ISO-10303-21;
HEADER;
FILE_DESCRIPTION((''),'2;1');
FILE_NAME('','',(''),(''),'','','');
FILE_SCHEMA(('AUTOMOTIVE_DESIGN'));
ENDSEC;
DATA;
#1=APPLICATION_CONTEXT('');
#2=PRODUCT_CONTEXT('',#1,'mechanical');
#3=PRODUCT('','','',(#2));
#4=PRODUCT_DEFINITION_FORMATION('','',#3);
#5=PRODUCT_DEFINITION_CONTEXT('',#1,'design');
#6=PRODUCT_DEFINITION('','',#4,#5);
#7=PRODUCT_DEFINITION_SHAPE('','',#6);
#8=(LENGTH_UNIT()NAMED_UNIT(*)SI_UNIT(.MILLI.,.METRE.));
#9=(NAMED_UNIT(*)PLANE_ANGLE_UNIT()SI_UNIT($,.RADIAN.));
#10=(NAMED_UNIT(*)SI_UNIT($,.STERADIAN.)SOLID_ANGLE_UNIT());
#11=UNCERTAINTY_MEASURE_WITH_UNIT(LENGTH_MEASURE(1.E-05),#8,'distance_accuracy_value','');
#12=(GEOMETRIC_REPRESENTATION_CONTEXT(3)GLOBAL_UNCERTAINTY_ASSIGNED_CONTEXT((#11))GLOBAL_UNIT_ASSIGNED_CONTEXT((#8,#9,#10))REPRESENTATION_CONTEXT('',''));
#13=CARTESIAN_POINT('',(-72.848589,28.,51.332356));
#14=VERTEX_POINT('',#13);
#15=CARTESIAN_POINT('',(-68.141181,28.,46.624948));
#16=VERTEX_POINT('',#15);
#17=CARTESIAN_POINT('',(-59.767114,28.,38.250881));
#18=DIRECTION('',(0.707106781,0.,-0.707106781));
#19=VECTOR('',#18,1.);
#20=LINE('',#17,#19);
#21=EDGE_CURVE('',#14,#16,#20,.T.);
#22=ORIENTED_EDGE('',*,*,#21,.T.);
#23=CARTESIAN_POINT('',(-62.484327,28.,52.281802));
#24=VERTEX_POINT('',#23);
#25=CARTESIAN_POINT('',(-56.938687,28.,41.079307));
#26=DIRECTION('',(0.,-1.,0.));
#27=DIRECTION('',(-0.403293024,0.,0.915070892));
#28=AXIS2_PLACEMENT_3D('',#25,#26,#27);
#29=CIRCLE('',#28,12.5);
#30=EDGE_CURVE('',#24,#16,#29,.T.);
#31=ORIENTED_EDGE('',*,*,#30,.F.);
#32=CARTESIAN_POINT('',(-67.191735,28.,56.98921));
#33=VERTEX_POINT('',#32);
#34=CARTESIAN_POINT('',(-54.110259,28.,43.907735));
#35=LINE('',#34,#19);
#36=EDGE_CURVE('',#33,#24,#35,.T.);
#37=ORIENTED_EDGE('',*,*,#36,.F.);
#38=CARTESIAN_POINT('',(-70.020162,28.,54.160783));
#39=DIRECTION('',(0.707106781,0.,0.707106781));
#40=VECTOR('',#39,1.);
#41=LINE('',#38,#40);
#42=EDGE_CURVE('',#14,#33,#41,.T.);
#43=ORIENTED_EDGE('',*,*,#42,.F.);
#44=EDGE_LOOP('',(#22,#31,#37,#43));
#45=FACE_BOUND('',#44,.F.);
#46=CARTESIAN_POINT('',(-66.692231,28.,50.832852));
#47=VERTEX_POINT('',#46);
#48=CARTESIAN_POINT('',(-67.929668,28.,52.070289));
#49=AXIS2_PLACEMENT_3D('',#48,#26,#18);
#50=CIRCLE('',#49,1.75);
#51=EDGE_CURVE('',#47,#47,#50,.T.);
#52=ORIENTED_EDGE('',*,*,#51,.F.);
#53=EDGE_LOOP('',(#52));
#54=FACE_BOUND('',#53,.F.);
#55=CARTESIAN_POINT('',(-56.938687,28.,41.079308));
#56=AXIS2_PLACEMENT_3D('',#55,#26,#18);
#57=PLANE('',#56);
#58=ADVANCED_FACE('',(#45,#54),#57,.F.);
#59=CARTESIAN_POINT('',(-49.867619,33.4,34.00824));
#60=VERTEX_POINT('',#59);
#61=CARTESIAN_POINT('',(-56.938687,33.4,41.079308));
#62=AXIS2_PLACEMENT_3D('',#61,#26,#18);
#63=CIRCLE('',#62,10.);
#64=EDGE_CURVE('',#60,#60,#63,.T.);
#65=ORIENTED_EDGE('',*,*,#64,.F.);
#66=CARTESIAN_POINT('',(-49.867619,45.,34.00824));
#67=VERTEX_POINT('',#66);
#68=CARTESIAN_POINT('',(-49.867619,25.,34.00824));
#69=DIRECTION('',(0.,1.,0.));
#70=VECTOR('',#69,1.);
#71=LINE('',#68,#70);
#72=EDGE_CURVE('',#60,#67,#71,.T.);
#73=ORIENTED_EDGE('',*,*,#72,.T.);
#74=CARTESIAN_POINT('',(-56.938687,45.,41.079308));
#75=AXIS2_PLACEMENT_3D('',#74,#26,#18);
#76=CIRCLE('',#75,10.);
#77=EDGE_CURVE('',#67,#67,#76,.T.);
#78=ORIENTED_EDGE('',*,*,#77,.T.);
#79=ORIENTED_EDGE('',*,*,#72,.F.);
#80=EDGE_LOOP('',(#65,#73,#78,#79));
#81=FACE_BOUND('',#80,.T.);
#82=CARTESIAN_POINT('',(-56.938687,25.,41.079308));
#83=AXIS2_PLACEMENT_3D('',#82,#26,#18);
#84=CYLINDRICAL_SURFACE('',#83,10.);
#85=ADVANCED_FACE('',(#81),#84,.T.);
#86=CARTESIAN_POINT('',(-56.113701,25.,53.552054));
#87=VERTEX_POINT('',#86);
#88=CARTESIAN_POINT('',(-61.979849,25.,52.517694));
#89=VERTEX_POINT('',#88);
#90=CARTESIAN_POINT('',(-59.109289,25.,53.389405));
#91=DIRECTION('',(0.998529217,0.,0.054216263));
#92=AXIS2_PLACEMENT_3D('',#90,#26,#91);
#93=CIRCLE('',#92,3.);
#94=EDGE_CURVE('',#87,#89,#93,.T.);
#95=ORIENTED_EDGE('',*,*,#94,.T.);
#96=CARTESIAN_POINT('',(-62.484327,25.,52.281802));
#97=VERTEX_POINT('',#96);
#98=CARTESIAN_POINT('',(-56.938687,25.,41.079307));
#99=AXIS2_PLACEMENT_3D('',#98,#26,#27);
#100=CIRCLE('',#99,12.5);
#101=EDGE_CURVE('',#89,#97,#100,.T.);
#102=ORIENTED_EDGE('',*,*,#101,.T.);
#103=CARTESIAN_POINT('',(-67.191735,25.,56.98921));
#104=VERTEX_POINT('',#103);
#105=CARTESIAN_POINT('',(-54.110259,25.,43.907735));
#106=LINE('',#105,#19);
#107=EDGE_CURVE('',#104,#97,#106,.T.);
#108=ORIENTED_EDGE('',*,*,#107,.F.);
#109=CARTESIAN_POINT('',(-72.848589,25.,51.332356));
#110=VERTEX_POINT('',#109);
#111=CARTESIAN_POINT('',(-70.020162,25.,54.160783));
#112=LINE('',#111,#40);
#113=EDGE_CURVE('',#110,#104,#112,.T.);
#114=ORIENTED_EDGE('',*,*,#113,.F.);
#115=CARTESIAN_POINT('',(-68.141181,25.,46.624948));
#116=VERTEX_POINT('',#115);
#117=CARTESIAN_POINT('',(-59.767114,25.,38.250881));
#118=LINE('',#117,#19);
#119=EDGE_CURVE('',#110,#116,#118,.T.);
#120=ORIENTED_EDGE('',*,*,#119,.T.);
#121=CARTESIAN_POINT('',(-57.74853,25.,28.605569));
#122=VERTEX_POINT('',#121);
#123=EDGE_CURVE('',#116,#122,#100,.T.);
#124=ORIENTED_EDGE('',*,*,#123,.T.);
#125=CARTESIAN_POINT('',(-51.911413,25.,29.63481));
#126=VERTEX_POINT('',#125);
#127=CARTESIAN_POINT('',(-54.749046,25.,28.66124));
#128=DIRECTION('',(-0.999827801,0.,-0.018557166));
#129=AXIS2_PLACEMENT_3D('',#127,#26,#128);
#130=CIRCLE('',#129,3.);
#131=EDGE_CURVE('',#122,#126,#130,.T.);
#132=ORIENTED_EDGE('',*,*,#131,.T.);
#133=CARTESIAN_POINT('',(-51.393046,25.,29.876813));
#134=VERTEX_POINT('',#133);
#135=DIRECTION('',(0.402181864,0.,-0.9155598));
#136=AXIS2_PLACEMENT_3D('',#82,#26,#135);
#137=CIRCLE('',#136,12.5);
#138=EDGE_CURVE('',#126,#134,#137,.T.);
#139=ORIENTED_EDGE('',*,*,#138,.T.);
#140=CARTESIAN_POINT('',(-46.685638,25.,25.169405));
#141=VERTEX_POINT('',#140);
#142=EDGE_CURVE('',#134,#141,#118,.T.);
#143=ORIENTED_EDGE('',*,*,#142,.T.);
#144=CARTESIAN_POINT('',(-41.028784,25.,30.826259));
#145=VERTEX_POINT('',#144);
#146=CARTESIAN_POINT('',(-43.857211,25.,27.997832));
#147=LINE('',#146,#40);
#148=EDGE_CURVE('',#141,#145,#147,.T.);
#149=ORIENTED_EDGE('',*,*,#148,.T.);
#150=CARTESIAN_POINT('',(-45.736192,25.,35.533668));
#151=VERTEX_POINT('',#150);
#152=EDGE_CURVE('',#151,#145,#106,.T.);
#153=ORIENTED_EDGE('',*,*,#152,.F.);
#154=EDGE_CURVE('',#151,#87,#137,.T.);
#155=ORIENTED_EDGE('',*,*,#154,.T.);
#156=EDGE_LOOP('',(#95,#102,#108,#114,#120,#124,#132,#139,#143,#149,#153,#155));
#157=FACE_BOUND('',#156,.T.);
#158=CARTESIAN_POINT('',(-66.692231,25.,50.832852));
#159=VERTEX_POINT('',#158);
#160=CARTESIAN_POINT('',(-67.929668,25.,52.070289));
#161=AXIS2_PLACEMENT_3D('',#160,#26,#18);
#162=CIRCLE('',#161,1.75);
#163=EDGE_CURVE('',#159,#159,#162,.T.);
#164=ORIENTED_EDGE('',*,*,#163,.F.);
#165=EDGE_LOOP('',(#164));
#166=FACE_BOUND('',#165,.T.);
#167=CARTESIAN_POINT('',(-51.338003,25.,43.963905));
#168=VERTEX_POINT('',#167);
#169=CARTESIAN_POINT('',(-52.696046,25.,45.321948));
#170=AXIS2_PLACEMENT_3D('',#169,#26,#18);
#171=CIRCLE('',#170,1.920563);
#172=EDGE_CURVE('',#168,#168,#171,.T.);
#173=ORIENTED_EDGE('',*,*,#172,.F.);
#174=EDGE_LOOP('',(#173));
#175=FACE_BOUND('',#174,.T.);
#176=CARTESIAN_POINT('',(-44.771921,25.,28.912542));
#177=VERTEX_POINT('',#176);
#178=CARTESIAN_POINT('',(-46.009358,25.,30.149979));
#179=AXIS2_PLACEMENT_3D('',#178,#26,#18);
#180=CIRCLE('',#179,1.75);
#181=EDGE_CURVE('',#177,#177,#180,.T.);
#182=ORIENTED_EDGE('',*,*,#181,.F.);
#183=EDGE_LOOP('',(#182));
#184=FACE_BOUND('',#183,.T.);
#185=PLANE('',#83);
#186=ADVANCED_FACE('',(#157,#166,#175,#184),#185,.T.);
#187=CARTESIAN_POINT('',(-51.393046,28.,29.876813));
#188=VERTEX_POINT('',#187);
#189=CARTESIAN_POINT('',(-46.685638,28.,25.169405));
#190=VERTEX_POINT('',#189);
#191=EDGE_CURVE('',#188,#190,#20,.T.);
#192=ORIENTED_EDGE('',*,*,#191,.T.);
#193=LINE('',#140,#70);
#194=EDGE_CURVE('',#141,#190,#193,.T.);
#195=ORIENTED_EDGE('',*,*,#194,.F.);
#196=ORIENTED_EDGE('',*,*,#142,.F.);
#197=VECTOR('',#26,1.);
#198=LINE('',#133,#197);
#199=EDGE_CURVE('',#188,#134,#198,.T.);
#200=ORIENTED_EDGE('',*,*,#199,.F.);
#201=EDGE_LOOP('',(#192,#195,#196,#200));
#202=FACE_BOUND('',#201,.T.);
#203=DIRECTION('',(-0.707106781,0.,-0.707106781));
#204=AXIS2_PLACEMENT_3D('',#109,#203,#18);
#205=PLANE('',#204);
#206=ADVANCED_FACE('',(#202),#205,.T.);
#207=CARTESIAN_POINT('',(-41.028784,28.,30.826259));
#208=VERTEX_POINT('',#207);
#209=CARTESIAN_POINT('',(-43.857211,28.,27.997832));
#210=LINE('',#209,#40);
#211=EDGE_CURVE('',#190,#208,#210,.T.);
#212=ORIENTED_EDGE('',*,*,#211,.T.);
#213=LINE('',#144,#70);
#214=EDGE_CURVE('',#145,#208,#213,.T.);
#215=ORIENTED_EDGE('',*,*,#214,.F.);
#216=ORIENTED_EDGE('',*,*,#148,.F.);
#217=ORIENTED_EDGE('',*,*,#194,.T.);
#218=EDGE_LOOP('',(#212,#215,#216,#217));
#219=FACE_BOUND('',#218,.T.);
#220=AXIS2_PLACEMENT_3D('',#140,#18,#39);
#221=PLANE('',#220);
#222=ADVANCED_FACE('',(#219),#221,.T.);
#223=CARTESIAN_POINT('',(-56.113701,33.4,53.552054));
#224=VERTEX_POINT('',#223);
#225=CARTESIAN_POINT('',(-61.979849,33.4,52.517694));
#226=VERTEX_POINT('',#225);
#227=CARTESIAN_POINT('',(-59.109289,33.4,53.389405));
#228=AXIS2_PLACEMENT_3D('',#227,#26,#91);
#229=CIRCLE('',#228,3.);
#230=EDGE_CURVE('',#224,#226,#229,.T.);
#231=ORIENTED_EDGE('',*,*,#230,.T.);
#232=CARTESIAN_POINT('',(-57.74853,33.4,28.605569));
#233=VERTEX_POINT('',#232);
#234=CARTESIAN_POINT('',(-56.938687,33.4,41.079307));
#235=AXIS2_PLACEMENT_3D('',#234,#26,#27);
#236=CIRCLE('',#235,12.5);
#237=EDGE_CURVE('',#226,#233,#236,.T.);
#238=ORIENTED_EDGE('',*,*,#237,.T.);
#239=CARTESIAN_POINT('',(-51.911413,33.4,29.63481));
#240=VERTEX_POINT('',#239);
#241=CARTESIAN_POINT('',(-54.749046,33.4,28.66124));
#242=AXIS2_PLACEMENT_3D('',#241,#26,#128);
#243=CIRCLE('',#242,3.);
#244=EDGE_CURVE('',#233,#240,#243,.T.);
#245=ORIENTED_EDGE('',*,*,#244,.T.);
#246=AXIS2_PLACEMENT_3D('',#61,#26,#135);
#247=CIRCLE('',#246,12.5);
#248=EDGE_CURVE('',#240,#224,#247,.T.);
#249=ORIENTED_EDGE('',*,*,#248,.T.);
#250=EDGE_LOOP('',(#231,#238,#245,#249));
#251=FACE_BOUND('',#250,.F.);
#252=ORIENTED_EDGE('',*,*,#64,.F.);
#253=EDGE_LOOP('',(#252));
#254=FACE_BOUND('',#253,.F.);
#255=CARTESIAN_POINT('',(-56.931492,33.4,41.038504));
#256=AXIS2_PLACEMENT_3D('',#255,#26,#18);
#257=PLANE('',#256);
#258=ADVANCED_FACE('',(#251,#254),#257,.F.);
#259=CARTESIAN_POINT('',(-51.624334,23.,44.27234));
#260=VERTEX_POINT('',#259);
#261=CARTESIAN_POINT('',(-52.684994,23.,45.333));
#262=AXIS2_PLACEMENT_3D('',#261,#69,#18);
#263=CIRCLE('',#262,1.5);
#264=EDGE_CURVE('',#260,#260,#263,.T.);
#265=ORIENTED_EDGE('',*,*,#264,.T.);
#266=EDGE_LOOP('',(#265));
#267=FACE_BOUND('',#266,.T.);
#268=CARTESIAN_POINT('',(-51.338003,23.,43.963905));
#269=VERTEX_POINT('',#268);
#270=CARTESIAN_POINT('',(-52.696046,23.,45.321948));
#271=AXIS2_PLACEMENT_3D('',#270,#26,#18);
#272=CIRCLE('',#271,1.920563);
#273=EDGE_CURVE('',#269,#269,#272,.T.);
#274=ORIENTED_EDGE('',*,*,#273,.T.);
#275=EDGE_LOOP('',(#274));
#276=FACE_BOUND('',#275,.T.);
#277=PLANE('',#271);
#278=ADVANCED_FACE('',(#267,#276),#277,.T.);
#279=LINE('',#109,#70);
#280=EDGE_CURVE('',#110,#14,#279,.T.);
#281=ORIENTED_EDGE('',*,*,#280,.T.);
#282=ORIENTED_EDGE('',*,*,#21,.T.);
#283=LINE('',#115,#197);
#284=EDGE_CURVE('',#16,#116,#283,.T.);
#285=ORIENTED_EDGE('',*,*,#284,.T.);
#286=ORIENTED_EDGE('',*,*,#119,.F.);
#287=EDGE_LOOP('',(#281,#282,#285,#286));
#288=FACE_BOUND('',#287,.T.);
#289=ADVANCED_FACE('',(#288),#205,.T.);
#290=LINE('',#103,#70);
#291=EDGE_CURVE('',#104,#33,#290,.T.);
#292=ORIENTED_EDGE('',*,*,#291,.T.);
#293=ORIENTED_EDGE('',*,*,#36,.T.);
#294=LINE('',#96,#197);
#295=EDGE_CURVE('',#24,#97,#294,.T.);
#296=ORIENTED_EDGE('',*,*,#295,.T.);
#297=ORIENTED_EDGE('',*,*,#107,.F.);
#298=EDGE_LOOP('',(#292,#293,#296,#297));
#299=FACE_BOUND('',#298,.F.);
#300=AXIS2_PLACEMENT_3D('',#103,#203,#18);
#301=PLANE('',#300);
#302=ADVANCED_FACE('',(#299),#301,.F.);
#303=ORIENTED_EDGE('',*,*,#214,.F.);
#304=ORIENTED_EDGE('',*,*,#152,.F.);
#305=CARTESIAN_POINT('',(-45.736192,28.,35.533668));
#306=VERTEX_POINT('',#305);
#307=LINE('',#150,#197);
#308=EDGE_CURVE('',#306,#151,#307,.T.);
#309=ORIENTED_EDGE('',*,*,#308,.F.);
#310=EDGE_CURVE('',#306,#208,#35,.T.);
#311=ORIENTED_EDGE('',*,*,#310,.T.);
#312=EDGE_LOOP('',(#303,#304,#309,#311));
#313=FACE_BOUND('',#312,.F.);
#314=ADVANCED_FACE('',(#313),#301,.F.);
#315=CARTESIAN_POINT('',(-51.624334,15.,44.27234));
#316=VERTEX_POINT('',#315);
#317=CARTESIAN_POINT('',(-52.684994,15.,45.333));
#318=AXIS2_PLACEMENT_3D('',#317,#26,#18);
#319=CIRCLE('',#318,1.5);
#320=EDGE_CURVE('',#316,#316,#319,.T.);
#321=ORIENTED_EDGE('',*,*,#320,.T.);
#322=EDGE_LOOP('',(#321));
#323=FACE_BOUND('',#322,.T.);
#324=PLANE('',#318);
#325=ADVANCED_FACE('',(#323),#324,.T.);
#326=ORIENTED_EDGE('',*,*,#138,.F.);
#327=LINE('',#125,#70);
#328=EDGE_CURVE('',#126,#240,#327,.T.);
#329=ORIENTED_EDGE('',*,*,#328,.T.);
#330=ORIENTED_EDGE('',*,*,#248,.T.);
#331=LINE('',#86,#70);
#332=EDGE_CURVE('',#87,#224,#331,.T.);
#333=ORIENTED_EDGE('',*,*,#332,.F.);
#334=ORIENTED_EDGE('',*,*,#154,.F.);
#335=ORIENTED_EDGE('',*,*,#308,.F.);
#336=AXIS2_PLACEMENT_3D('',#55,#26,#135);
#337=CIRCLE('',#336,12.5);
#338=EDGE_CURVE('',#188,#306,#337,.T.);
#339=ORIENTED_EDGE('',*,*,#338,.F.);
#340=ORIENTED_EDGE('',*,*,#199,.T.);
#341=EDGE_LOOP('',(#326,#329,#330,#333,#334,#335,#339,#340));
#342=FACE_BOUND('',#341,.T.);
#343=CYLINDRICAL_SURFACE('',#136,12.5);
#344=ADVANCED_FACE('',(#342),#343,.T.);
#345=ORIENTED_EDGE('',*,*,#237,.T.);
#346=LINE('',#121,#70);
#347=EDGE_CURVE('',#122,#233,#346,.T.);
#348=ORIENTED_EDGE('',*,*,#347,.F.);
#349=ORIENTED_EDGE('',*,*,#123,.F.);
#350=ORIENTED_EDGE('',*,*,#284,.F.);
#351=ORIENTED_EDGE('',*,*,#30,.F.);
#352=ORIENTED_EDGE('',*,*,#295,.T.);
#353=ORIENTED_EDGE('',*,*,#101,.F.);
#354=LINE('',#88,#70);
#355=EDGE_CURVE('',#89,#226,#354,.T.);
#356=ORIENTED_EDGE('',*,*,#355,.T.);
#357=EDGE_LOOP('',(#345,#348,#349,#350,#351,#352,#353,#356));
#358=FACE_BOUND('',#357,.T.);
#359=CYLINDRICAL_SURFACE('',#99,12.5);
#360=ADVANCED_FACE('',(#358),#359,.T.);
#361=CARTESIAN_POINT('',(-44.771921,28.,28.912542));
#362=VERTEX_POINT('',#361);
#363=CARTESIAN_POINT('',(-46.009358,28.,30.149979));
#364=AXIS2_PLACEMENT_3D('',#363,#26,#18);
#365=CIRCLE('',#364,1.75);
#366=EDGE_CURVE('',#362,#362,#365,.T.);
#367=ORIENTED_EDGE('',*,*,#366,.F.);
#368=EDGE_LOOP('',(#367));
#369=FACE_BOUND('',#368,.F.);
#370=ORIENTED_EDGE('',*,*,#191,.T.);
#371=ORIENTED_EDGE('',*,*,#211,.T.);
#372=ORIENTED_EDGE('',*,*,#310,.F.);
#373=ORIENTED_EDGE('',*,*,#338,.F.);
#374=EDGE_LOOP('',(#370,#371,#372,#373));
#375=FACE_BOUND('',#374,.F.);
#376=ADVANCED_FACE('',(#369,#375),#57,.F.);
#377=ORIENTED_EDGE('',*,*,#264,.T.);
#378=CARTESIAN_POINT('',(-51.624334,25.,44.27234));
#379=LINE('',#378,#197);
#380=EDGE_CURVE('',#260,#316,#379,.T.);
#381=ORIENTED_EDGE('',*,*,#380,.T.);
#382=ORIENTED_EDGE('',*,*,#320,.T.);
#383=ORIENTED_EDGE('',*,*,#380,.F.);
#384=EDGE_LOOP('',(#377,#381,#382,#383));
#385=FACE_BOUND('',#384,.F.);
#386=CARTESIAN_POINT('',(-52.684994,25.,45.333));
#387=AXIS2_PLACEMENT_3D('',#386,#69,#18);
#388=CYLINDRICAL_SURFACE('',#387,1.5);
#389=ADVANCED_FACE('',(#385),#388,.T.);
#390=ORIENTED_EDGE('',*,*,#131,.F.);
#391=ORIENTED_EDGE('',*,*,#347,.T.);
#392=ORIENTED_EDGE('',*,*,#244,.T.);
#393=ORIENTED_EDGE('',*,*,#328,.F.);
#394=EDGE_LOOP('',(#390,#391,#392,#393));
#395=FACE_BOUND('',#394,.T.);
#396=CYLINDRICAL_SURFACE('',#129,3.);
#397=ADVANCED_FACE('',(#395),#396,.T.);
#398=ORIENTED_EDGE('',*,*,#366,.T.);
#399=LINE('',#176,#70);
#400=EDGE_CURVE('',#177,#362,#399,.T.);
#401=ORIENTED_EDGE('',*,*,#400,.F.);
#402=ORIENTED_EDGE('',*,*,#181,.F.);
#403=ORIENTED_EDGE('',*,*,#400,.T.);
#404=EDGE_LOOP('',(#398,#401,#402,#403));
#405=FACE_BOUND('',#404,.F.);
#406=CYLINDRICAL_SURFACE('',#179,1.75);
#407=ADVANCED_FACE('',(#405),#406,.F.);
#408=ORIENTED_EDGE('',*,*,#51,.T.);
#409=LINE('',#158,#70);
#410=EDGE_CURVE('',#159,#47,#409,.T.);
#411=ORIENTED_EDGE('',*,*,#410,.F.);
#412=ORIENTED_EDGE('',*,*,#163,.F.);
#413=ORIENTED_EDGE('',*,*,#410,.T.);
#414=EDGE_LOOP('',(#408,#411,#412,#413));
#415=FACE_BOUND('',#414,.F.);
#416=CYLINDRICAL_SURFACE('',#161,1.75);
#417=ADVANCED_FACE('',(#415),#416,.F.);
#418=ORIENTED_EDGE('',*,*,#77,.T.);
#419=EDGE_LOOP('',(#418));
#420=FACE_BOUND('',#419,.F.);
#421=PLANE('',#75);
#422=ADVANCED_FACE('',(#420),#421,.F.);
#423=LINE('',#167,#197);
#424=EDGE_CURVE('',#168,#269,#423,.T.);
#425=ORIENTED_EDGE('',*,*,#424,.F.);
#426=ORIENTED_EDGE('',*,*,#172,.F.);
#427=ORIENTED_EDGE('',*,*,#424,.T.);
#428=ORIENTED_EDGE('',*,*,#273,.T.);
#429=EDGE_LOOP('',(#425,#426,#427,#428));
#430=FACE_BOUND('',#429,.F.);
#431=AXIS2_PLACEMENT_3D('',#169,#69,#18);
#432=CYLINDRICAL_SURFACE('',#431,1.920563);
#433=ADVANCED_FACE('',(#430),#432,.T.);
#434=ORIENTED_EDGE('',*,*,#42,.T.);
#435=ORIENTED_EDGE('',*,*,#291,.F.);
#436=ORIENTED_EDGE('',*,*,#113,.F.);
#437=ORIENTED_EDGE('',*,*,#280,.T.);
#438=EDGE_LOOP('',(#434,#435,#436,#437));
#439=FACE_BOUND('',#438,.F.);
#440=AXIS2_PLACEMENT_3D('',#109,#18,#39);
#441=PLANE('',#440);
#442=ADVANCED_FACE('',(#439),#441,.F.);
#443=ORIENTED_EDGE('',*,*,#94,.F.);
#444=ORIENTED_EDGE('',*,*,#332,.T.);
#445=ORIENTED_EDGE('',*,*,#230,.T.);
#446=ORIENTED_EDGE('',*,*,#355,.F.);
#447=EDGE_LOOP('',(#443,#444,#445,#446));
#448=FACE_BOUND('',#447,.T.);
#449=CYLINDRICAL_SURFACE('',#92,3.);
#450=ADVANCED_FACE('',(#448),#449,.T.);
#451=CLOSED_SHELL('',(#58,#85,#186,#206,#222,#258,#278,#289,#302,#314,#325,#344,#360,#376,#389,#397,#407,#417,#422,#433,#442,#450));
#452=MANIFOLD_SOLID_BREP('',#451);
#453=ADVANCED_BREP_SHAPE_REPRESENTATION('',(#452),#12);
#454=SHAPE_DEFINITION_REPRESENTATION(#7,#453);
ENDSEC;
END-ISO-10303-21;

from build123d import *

# Parameters (mm, degrees)
SKETCH028_W              = 37
SKETCH028_H              = 8
SKETCH028_R              = 1.75
PAD016_DEPTH             = 3
PAD017_DEPTH             = 8.4
SKETCH030_R              = 10
PAD018_DEPTH             = 20
SKETCH031_R              = 1.920563
PAD019_DEPTH             = 2
SKETCH032_R              = 1.5
PAD020_DEPTH             = 10
BODY008_ROLL_ANGLE       = -90
BODY008_PITCH_ANGLE      = -30
BODY008_PLACEMENT_ANGLE  = 180
CLONE001_PLACEMENT_ANGLE = 210
BODY009_PLACEMENT_ANGLE  = 45


with BuildPart() as part:
    # Sketch028 → Pad016 (new body)
    with BuildSketch(Plane.XY):
        Rectangle(SKETCH028_W, SKETCH028_H)
        with Locations((15.456405, 0)):
            Circle(SKETCH028_R, mode=Mode.SUBTRACT)
        with Locations((-15.543595, 0)):
            Circle(SKETCH028_R, mode=Mode.SUBTRACT)
    extrude(amount=-PAD016_DEPTH)

    # Sketch029 → Pad017 (join)
    with BuildSketch(Plane.XY):
        with BuildLine():
            ThreePointArc((-11.652801, 4.52352), (-7.163489, -10.243751), (8.24762, -9.392911))
            ThreePointArc((8.24762, -9.392911), (12.786665, -8.95332), (11.647301, -4.537663))
            ThreePointArc((11.647301, -4.537663), (7.175919, 10.235047), (-8.236211, 9.402916))
            ThreePointArc((-8.236211, 9.402916), (-12.696857, 8.890435), (-11.652801, 4.52352))
        make_face()
    extrude(amount=-PAD017_DEPTH)

    # Sketch030 → Pad018 (join)
    with BuildSketch(Plane.XY):
        Circle(SKETCH030_R)
    extrude(amount=-PAD018_DEPTH)

    # Sketch031 → Pad019 (join)
    with BuildSketch(Plane.XY):
        with Locations((0, 6)):
            Circle(SKETCH031_R)
    extrude(amount=PAD019_DEPTH)

    # Sketch032 → Pad020 (join)
    with BuildSketch(Plane.XY):
        with Locations((0, 6.01563)):
            Circle(SKETCH032_R)
    extrude(amount=PAD020_DEPTH)


with BuildPart() as part_1:
    # Body008 roll: moved
    add(part.part.rotate(Axis((0, 0, 0), (1, 0, 0)), BODY008_ROLL_ANGLE))


with BuildPart() as part_2:
    # Body008 pitch: moved
    add(part_1.part.rotate(Axis((0, 0, 0), (0, 1, 0)), BODY008_PITCH_ANGLE))


with BuildPart() as part_3:
    # Body008 placement: moved
    add(part_2.part.moved(Location((-56.598076, 17, -9.800515))).rotate(Axis((-56.598076, 17, -9.800515), (0, 0, 1)), BODY008_PLACEMENT_ANGLE))


with BuildPart() as part_4:
    # Clone001 placement: moved
    add(part_3.part.moved(Location((-103.715114, 0, -57.786533))).rotate(Axis((-103.715114, 0, -57.786533), (0, -1, 0)), CLONE001_PLACEMENT_ANGLE))


with BuildPart() as part_5:
    # Body009 placement: moved
    add(part_4.part.moved(Location((0.05412, 8, 13.784986))).rotate(Axis((0.05412, 8, 13.784986), (0, 1, 0)), BODY009_PLACEMENT_ANGLE))


solid = part_5.part
